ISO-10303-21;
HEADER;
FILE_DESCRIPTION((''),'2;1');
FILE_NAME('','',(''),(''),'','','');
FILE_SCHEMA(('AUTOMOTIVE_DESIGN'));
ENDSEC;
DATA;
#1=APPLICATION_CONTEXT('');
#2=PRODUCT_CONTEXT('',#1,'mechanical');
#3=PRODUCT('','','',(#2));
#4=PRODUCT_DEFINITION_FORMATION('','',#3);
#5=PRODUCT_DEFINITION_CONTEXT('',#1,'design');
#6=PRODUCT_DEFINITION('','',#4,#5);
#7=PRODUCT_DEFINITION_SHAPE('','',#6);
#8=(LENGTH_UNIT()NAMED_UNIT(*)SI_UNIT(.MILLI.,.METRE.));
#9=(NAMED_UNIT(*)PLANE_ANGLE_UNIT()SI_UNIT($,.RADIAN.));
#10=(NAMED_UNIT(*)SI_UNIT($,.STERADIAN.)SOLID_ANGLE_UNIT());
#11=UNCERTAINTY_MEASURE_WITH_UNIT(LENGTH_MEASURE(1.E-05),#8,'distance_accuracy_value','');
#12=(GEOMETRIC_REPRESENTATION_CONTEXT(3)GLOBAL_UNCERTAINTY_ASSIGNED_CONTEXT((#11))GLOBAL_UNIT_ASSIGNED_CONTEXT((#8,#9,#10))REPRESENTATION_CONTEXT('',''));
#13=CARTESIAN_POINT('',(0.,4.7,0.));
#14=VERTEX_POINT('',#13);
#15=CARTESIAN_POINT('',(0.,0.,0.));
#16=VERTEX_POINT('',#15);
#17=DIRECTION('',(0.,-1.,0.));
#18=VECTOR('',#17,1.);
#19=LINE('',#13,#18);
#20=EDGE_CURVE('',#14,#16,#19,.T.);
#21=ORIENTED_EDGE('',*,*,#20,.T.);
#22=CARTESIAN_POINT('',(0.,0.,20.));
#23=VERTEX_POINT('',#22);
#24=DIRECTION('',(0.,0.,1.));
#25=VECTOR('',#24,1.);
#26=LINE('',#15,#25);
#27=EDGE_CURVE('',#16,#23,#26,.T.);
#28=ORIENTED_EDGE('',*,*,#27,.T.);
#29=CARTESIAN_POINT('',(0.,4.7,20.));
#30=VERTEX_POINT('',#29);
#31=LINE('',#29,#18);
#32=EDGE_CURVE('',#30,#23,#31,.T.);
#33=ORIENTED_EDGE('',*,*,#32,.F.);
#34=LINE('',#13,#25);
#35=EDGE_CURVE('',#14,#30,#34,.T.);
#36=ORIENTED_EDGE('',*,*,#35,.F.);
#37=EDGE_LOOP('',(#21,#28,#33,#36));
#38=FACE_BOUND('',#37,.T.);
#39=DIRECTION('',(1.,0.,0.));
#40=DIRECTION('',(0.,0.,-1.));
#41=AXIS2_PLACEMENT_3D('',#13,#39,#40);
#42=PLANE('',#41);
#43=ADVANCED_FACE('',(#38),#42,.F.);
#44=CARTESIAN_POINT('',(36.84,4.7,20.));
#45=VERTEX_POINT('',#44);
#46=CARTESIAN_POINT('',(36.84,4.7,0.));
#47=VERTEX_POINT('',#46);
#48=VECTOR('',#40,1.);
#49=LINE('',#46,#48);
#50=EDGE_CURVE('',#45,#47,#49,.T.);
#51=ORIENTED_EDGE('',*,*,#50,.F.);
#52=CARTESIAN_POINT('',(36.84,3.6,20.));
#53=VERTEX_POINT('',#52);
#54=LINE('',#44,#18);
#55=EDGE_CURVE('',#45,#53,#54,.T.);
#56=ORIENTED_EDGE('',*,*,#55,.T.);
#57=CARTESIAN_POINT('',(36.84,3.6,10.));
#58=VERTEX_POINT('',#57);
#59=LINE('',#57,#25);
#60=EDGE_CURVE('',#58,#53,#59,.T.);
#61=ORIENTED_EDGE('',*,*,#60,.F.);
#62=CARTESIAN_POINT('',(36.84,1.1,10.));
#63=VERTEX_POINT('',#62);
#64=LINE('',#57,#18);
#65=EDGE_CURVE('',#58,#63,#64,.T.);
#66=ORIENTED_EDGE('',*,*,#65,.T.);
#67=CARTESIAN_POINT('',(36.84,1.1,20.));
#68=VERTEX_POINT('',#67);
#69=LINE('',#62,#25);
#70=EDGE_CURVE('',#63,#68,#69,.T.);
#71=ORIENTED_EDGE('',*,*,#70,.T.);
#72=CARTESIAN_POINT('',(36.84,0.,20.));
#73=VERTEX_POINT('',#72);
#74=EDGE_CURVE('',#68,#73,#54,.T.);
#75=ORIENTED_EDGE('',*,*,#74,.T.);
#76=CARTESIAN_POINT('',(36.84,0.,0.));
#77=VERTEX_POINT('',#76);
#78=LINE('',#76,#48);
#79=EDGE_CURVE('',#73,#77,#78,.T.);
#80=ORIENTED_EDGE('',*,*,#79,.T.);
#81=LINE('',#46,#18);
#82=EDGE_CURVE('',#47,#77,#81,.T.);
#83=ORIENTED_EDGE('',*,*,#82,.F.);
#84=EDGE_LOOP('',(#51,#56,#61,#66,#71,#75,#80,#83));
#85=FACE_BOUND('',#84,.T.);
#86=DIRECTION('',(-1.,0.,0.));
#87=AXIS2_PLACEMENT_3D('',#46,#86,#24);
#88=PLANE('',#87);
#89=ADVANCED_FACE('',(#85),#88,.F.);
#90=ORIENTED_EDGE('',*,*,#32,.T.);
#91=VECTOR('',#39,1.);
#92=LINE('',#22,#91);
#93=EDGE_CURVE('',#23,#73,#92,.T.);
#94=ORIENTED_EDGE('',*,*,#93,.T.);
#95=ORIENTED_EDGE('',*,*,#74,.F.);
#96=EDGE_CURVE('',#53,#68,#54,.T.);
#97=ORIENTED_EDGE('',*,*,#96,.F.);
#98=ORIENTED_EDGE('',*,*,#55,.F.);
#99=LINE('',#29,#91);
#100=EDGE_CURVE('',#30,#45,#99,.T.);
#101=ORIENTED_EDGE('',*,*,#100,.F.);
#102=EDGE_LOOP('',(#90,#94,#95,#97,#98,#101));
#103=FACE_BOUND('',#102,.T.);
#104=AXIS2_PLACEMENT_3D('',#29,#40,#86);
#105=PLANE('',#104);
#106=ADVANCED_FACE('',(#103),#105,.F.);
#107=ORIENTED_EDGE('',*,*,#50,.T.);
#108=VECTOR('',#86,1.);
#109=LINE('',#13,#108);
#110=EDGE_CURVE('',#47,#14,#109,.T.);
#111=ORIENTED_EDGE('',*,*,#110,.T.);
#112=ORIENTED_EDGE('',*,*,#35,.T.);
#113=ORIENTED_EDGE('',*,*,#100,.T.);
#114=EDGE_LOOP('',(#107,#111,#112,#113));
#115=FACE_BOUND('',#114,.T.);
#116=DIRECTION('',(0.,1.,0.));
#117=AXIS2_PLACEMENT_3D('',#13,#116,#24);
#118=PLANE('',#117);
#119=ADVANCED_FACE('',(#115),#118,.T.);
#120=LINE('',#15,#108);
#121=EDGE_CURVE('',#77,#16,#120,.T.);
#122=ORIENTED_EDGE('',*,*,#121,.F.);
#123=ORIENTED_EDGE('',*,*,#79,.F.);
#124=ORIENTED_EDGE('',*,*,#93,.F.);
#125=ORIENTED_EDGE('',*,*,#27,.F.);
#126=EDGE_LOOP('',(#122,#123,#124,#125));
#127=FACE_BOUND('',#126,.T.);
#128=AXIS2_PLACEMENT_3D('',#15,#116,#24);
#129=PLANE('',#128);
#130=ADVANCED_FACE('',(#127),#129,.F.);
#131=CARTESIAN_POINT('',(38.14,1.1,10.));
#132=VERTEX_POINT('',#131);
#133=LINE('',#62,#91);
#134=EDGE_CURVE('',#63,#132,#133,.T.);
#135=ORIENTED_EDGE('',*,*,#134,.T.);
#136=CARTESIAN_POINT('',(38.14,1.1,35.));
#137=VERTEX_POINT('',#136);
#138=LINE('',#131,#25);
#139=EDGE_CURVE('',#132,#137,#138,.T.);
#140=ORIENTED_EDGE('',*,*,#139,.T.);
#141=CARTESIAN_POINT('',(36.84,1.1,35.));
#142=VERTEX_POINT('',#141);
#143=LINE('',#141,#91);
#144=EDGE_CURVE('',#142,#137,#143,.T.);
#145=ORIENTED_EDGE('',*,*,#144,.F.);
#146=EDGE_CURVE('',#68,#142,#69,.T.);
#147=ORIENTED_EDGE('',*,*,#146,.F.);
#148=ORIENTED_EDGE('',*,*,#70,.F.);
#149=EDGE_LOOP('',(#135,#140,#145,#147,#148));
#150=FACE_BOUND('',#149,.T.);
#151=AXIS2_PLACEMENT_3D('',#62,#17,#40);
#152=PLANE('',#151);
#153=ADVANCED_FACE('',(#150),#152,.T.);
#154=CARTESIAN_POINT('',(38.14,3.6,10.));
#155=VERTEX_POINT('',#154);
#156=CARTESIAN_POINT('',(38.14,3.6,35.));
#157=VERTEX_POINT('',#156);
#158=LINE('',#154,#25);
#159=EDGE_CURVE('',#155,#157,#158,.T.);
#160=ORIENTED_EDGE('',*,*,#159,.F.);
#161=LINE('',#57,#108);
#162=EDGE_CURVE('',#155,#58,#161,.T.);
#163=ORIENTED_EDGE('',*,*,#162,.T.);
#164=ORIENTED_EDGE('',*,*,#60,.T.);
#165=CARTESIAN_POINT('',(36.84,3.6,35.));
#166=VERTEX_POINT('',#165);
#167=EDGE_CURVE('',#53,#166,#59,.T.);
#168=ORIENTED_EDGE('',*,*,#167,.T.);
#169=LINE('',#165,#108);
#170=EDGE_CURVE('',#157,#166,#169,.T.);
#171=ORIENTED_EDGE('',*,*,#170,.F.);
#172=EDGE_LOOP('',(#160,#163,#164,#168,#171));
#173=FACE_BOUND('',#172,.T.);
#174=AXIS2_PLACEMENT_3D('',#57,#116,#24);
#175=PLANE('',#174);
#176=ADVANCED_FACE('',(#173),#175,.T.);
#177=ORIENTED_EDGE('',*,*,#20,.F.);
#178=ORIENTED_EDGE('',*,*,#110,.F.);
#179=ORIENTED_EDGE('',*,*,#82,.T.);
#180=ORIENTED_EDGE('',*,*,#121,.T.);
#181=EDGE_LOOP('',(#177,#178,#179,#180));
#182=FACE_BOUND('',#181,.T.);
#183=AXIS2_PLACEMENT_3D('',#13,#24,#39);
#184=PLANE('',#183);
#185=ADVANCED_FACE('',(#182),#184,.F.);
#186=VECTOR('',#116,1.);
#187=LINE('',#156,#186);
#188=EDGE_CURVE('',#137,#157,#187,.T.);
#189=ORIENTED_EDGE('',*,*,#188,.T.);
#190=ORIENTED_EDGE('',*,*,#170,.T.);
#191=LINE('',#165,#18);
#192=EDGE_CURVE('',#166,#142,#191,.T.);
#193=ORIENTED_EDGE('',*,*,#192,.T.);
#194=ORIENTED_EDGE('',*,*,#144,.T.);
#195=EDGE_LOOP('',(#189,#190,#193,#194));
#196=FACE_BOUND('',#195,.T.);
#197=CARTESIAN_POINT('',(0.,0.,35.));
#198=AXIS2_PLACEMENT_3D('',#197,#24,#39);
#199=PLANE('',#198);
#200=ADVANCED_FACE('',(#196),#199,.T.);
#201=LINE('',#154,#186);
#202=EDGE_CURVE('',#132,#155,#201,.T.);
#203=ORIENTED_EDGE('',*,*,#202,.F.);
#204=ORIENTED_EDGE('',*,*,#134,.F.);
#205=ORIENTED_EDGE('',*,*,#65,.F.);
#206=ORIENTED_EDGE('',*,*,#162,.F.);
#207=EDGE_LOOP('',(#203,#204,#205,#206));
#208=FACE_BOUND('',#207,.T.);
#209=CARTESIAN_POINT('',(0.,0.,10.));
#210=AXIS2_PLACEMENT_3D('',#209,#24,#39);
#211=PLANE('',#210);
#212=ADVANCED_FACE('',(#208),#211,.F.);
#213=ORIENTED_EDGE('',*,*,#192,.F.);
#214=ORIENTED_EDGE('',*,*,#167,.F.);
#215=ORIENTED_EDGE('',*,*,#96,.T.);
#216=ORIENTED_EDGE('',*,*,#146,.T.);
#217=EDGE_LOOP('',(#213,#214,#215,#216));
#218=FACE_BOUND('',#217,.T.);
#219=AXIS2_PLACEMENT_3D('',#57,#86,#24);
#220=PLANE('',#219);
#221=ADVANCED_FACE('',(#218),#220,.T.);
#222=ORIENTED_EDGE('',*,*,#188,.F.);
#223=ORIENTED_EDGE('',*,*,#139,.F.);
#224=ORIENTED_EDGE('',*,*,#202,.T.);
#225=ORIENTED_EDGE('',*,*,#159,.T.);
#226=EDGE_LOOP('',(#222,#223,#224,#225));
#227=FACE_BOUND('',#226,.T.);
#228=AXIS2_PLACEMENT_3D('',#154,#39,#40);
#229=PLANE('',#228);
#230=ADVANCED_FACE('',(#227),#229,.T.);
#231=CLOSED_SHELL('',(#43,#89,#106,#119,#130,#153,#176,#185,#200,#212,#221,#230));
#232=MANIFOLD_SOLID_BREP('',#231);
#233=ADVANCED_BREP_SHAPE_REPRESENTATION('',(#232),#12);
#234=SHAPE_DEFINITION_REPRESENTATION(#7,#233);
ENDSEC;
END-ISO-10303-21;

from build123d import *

# Parameters (mm, degrees)
SKETCH1_W                = 36.84
SKETCH1_H                = 20
BOSS_EXTRUDE1_DEPTH      = 4.7
SKETCH2_W                = 1.3
SKETCH2_H                = 2.5
BOSS_EXTRUDE2_DEPTH      = 15
BOSS_EXTRUDE2_DEPTH_BACK = 10


with BuildPart() as part:
    # Sketch1 → Boss-Extrude1 (new body)
    with BuildSketch(Plane(origin=(0, 0, 0), x_dir=(1, 0, 0), z_dir=(0, 1, 0))):
        with Locations((18.42, -10)):
            Rectangle(SKETCH1_W, SKETCH1_H)
    extrude(amount=BOSS_EXTRUDE1_DEPTH)

    # Sketch2 → Boss-Extrude2 (add, two sides)
    with BuildSketch(Plane.XY.offset(20)) as boss_extrude2_sk:
        with Locations((37.49, 2.35)):
            Rectangle(SKETCH2_W, SKETCH2_H)
    extrude(amount=BOSS_EXTRUDE2_DEPTH)
    extrude(boss_extrude2_sk.sketch, amount=-BOSS_EXTRUDE2_DEPTH_BACK)


solid = part.part
